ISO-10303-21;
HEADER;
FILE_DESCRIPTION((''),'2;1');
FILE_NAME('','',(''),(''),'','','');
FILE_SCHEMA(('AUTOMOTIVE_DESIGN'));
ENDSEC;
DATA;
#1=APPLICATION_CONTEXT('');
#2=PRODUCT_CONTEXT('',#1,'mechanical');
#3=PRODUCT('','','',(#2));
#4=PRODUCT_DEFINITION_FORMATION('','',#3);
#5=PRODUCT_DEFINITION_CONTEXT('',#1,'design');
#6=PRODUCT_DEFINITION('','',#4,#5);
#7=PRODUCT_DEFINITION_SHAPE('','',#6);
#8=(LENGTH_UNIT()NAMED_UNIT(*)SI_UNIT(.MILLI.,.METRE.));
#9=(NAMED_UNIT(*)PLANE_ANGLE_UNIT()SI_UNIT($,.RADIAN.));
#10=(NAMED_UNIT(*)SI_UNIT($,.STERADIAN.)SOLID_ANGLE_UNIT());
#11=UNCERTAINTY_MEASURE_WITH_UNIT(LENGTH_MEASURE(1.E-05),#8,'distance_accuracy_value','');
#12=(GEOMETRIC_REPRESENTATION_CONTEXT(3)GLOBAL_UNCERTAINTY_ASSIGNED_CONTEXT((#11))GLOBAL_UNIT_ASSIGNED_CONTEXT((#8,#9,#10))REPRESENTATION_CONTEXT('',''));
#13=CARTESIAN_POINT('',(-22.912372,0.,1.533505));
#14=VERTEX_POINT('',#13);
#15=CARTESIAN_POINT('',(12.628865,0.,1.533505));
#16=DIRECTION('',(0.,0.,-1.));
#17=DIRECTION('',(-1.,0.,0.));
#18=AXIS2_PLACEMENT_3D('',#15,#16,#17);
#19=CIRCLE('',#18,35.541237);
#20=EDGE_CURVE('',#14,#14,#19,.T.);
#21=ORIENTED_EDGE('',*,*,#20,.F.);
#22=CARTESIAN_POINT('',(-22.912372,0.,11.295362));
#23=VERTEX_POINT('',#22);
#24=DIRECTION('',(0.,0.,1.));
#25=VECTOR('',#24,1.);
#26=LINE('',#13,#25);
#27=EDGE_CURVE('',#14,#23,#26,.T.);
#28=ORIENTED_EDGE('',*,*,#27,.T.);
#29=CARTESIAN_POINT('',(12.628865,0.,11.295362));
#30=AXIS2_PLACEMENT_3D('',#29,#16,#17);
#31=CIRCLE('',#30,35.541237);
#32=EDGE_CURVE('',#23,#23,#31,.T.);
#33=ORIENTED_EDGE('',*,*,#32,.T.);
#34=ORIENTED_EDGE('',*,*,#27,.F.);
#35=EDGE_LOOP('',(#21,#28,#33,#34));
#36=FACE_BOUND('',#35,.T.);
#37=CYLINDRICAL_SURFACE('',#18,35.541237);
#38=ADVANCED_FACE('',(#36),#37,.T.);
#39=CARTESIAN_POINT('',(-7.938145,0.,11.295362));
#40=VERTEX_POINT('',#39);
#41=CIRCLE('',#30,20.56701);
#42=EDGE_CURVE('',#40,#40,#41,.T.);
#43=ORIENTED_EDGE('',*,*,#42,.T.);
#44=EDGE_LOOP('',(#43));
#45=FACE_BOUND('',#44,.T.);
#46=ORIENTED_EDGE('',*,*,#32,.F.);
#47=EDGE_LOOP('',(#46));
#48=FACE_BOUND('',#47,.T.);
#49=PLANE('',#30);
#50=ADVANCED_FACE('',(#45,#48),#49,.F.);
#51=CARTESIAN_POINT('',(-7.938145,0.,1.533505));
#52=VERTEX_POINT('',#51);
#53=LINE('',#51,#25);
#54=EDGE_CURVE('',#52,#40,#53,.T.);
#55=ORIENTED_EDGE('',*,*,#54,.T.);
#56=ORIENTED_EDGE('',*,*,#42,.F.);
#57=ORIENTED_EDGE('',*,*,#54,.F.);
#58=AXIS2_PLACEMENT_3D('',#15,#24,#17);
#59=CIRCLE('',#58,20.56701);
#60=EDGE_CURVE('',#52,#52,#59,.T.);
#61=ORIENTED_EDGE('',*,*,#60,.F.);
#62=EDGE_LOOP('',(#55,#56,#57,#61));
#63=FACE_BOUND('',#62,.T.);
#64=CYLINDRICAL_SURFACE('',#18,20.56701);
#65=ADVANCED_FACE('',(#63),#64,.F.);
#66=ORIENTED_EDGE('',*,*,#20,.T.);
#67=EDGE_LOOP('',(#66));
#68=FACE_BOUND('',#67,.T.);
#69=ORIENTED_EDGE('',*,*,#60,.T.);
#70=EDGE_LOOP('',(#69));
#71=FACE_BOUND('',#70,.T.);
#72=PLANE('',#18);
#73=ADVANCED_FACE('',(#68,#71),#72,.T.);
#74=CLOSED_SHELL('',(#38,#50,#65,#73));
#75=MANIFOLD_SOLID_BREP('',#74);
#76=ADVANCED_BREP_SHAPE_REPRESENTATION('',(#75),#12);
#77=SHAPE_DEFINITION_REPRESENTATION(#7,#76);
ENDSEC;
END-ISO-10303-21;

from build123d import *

# Parameters (mm, degrees)
F2_DEPTH = 25
F3_DEPTH = 0.2


with BuildPart() as f1:
    # F0 (on Front) → F1 (revolve)
    with BuildSketch(Plane.XZ):
        Polygon((-7.9381447285, 11.0953617841), (-22.9123719037, 11.0953617841), (-22.9123719037, 1.533505274), (-7.9381447285, 1.533505274), (12.6288654283, 1.533505274), (12.6288654283, 6.314433529), (-7.9381447285, 6.314433529), align=None)
    revolve(axis=Axis((12.6288654283, 0, 3.9239694015), (0, 0, -1)))

    # F2 (cut): a face of the model
    f2_faces = [f1.faces().sort_by_distance(p)[0] for p in [
        (12.6288654283, 0, 6.314433529),
    ]]
    extrude(f2_faces, amount=-F2_DEPTH, mode=Mode.SUBTRACT)

    # F3 (add): faces of the model
    f3_faces = [f1.faces().sort_by_distance(p)[0] for p in [
        (47.164844763, 0, 1.533505274),
        (34.2011335822, 0, 11.0953617841),
    ]]
    extrude(f3_faces, amount=-F3_DEPTH, dir=(0, 0, -1))


solid = f1.part
